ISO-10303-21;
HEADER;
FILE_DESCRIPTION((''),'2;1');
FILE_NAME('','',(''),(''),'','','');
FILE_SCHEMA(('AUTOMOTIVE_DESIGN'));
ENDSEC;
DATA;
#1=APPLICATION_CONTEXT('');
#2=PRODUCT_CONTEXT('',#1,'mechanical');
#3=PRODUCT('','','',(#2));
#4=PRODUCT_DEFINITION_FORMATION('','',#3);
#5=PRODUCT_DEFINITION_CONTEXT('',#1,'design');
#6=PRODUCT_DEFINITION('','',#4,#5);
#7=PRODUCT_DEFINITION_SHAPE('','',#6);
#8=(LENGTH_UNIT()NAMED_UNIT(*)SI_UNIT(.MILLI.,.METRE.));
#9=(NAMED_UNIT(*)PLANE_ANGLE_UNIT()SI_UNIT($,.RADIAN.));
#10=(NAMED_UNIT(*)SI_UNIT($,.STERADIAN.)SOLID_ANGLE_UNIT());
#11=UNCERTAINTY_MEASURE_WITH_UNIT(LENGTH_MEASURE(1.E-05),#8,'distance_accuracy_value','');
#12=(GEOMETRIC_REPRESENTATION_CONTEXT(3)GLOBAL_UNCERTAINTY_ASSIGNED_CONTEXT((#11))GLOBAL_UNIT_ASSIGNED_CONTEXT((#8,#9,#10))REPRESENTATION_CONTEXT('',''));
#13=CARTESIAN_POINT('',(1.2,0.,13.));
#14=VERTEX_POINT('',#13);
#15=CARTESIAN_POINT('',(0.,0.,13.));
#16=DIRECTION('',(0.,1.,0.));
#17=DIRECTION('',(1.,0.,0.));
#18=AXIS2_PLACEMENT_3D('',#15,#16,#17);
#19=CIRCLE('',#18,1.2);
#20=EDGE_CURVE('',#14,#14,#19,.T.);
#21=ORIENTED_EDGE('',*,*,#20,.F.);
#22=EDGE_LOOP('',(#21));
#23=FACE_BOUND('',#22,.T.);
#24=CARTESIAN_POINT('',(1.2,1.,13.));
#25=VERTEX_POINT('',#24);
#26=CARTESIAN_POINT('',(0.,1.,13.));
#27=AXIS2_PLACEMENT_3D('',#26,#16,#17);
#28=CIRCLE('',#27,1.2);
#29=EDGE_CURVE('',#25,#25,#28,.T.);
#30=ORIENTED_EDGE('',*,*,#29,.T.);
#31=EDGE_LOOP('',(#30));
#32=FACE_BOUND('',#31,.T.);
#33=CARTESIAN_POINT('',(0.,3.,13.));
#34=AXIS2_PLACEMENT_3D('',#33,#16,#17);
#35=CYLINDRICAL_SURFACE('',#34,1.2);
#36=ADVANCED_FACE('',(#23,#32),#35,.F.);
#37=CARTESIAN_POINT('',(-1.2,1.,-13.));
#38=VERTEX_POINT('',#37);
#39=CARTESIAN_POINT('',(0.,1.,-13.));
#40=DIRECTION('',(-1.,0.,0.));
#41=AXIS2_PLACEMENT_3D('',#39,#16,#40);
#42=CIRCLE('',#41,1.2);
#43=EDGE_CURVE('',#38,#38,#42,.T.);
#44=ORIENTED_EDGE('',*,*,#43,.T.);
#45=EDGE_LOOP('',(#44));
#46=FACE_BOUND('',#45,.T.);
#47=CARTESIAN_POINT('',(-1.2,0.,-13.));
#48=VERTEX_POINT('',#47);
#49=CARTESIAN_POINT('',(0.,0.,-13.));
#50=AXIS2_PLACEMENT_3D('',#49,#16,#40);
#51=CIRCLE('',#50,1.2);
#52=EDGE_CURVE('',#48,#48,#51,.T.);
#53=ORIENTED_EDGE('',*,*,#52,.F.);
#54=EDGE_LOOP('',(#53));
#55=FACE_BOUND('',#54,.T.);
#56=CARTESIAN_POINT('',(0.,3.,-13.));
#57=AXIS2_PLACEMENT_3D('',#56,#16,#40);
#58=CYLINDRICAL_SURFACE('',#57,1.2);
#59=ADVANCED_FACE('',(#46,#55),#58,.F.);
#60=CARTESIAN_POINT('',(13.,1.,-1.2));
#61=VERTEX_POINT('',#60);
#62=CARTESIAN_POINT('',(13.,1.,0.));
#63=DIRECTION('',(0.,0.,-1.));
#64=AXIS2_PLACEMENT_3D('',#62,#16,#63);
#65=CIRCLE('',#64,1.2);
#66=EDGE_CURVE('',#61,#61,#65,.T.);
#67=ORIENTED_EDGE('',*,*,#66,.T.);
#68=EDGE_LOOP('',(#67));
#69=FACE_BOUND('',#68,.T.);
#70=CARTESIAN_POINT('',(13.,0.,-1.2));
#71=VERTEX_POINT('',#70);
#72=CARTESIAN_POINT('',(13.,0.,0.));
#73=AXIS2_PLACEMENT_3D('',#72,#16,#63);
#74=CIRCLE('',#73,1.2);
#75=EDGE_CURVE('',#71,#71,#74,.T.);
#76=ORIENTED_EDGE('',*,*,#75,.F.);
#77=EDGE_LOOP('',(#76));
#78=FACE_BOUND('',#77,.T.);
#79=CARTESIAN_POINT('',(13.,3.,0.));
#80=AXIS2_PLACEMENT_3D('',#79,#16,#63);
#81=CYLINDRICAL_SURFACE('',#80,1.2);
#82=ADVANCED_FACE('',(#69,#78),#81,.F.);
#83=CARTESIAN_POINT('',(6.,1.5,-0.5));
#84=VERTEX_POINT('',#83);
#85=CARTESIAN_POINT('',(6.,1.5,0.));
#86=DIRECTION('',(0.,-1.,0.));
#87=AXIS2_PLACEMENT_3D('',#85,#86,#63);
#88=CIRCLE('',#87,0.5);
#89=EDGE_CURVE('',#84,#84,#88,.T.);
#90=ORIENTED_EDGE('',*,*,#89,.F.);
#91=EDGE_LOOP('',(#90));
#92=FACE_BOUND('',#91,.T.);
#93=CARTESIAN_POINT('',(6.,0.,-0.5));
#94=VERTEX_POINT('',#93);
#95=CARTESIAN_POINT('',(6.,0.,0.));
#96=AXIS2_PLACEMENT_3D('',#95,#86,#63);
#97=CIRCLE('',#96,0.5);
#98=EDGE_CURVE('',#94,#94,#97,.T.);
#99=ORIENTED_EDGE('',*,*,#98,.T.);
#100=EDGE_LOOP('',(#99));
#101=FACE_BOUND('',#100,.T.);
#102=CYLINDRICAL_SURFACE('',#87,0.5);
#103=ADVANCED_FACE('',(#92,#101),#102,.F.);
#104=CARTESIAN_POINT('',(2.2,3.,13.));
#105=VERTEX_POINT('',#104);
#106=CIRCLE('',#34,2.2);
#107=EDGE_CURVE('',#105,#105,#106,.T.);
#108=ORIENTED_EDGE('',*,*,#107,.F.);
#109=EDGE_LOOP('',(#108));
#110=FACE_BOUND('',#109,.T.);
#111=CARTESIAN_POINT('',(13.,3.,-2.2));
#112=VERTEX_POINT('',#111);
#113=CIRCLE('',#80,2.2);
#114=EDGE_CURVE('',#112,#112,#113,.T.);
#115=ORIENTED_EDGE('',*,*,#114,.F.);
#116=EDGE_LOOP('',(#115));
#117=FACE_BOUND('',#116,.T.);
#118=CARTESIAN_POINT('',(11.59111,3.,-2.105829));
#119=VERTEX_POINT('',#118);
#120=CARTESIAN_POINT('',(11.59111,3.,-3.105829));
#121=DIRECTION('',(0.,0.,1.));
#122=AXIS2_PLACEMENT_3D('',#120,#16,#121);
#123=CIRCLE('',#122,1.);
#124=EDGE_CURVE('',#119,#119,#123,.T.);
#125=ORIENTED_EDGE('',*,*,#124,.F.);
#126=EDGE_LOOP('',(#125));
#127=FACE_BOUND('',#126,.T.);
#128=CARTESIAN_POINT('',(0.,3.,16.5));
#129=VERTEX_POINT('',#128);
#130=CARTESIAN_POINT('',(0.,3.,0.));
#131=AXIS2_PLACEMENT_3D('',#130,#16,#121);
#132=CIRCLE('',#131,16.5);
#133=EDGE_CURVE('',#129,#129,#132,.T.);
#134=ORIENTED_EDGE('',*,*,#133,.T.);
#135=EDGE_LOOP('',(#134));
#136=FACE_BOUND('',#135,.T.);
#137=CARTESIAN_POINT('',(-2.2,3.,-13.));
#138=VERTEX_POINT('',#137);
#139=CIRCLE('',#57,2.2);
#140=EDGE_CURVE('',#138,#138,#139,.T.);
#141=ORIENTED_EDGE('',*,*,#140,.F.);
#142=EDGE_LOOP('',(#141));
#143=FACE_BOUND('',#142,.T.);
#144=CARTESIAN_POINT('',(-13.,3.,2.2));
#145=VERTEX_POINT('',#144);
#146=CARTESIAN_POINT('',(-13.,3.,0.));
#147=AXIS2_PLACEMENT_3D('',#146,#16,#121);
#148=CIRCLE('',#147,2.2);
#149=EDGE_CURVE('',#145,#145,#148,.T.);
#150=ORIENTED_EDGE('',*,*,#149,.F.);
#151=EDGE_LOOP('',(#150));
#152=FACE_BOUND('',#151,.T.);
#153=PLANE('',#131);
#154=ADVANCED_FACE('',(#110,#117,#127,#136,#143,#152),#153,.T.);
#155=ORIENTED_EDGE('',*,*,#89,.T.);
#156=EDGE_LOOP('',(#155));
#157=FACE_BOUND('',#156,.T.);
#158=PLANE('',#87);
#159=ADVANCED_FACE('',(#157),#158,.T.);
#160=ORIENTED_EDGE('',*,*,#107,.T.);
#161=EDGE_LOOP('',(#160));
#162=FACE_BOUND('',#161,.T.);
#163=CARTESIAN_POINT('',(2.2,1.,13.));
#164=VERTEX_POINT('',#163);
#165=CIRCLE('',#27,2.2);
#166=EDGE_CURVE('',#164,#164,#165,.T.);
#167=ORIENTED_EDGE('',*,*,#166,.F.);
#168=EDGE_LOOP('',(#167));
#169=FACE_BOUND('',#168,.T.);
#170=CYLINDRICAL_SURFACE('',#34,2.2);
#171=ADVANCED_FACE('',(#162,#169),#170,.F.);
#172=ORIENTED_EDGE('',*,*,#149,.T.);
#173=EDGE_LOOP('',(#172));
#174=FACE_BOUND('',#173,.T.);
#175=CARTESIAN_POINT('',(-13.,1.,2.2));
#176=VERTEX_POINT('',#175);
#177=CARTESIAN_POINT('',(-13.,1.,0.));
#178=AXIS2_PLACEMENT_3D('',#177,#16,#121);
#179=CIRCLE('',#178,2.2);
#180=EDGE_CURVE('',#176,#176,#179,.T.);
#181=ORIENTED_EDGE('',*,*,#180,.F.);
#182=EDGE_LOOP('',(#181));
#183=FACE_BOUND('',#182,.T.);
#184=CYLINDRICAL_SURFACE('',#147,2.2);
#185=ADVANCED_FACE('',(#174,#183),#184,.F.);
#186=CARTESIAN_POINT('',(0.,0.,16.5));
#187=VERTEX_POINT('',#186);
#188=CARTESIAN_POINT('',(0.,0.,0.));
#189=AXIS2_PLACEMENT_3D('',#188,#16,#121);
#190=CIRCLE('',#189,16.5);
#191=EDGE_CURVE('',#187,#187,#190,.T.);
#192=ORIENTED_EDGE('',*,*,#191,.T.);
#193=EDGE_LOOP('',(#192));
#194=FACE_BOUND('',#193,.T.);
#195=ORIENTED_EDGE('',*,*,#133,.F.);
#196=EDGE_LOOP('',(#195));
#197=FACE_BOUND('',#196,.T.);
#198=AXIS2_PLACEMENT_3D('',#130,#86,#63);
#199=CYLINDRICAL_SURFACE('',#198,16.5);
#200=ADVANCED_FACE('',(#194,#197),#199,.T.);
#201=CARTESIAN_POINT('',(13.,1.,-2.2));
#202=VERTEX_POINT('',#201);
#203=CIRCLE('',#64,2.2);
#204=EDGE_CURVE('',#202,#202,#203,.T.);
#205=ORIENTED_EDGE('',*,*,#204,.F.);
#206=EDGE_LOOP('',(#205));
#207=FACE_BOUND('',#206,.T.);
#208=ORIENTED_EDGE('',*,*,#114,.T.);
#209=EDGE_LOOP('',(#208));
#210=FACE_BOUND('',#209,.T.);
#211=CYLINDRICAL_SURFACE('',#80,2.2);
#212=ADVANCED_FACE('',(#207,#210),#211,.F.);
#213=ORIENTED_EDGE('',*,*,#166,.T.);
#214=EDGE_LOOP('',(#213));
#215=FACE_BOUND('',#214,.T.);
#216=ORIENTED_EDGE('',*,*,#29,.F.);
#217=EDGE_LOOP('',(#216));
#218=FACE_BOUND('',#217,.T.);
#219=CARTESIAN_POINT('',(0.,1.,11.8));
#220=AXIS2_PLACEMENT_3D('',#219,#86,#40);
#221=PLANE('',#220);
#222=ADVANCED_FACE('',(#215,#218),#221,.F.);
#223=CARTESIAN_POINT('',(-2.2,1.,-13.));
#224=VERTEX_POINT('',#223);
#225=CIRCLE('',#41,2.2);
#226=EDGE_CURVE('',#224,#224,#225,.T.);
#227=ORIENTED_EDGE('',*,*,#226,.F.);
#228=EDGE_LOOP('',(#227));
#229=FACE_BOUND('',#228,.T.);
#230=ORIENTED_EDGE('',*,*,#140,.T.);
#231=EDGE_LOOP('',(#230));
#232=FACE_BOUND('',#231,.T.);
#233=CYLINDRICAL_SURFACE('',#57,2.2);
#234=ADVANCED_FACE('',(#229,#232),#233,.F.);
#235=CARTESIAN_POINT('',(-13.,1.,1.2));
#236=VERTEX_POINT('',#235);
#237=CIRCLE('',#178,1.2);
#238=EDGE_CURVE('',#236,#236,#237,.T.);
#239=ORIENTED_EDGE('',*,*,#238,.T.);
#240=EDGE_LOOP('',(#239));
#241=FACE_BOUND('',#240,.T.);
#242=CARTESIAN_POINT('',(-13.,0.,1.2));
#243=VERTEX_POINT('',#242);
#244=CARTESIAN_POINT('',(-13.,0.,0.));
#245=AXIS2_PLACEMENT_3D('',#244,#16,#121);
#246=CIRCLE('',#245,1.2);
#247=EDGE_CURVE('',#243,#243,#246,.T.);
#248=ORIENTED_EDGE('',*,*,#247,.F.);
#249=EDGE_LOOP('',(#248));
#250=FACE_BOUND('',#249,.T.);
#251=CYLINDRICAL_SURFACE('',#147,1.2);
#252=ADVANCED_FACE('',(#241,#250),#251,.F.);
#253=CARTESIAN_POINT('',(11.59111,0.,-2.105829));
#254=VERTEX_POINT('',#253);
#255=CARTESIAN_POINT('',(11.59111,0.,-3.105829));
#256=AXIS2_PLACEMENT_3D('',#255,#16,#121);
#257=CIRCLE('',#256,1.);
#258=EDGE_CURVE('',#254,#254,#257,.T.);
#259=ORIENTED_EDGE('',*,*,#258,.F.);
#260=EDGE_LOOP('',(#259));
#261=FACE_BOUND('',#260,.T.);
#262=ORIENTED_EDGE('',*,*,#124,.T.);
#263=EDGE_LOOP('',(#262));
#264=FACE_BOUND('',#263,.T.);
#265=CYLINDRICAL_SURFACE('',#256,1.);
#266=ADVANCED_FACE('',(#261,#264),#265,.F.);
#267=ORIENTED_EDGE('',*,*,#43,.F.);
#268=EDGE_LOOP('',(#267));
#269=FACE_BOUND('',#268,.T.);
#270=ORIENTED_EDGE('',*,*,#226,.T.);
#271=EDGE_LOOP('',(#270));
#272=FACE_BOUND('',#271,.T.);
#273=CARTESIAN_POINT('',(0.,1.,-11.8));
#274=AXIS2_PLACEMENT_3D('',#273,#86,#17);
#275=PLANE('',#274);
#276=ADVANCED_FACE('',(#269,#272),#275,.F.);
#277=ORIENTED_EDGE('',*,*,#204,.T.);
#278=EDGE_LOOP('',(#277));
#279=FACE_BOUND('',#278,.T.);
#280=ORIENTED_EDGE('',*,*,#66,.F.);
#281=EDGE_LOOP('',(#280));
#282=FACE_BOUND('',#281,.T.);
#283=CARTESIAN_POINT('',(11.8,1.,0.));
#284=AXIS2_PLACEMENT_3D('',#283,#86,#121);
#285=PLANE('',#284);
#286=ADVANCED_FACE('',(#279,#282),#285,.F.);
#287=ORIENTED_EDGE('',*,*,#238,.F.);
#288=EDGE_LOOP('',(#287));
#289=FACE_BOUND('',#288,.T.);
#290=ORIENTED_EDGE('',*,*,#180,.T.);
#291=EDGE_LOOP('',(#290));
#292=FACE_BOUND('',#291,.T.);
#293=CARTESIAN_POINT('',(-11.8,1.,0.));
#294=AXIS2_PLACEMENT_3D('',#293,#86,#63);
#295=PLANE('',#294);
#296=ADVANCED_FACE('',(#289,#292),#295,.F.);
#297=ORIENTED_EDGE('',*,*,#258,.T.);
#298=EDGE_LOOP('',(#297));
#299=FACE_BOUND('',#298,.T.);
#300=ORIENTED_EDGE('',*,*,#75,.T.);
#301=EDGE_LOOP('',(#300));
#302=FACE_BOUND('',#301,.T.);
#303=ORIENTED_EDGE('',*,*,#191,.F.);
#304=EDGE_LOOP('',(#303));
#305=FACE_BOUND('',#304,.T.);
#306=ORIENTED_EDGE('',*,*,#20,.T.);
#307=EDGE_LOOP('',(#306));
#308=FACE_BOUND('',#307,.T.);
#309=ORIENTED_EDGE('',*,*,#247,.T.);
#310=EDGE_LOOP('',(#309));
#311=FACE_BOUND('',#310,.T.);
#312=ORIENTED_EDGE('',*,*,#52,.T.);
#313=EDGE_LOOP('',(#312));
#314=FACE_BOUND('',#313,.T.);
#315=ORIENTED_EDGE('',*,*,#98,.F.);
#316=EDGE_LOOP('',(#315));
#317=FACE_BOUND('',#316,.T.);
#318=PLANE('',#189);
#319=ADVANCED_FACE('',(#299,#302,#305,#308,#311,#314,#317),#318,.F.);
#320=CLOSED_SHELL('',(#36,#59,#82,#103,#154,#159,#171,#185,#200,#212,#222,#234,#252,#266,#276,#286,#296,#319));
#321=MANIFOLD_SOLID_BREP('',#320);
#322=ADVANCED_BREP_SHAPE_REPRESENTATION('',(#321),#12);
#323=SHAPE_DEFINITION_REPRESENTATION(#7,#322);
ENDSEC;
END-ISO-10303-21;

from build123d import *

# Parameters (mm, degrees)
SKETCH1_R                      = 16.5
BOSS_EXTRUDE1_DEPTH            = 3
CBORE_FOR_M2_SHCS1_D           = 2.4
CBORE_FOR_M2_SHCS1_CBORE_D     = 4.4
CBORE_FOR_M2_SHCS1_CBORE_DEPTH = 2
CIRPATTERN1_COUNT              = 4
SKETCH15_R                     = 0.5
CUT_EXTRUDE1_DEPTH             = 1.5
CUT_EXTRUDE2_DEPTH             = 24.526580712
CUT_EXTRUDE2_DEPTH_BACK        = 24.526580712
SKETCH16_R                     = 1


with BuildPart() as part:
    # Sketch1 → Boss-Extrude1 (new body)
    with BuildSketch(Plane(origin=(0, 0, 0), x_dir=(1, 0, 0), z_dir=(0, 1, 0))):
        with Locations(Location((0, 0, 0), (0, 0, 270))):
            Circle(SKETCH1_R)
    extrude(amount=BOSS_EXTRUDE1_DEPTH)

    # CBORE for M2 SHCS1 (through all)
    with Locations(Plane(origin=(0, 3, 0), x_dir=(1, 0, 0), z_dir=(0, 1, 0))):
        with Locations((-13, 0)):
            cbore_for_m2_shcs1 = CounterBoreHole(CBORE_FOR_M2_SHCS1_D / 2, CBORE_FOR_M2_SHCS1_CBORE_D / 2, CBORE_FOR_M2_SHCS1_CBORE_DEPTH)

    # CirPattern1: CBORE for M2 SHCS1 ×4 about axis
    cirpattern1_axis = Axis((0, 0, 0), (0, 1, 0))
    for i in range(1, CIRPATTERN1_COUNT):
        add(cbore_for_m2_shcs1.rotate(cirpattern1_axis, i * 360 / CIRPATTERN1_COUNT), mode=Mode.SUBTRACT)

    # Sketch15 → Cut-Extrude1 (cut)
    with BuildSketch(Plane.XZ):
        with Locations(Location((6, 0, 0), (0, 0, 270))):
            Circle(SKETCH15_R)
    extrude(amount=-CUT_EXTRUDE1_DEPTH, mode=Mode.SUBTRACT)

    # Sketch16 → Cut-Extrude2 (cut, two sides: drawn at the far end of the back side and taken through both)
    with BuildSketch(Plane(origin=(0, 3, 0), x_dir=(1, 0, 0), z_dir=(0, 1, 0)).offset(-CUT_EXTRUDE2_DEPTH_BACK)):
        with Locations(Location((11.591109915, 3.105828541, 0), (0, 0, 270))):
            Circle(SKETCH16_R)
    extrude(amount=CUT_EXTRUDE2_DEPTH + CUT_EXTRUDE2_DEPTH_BACK, mode=Mode.SUBTRACT)


solid = part.part
